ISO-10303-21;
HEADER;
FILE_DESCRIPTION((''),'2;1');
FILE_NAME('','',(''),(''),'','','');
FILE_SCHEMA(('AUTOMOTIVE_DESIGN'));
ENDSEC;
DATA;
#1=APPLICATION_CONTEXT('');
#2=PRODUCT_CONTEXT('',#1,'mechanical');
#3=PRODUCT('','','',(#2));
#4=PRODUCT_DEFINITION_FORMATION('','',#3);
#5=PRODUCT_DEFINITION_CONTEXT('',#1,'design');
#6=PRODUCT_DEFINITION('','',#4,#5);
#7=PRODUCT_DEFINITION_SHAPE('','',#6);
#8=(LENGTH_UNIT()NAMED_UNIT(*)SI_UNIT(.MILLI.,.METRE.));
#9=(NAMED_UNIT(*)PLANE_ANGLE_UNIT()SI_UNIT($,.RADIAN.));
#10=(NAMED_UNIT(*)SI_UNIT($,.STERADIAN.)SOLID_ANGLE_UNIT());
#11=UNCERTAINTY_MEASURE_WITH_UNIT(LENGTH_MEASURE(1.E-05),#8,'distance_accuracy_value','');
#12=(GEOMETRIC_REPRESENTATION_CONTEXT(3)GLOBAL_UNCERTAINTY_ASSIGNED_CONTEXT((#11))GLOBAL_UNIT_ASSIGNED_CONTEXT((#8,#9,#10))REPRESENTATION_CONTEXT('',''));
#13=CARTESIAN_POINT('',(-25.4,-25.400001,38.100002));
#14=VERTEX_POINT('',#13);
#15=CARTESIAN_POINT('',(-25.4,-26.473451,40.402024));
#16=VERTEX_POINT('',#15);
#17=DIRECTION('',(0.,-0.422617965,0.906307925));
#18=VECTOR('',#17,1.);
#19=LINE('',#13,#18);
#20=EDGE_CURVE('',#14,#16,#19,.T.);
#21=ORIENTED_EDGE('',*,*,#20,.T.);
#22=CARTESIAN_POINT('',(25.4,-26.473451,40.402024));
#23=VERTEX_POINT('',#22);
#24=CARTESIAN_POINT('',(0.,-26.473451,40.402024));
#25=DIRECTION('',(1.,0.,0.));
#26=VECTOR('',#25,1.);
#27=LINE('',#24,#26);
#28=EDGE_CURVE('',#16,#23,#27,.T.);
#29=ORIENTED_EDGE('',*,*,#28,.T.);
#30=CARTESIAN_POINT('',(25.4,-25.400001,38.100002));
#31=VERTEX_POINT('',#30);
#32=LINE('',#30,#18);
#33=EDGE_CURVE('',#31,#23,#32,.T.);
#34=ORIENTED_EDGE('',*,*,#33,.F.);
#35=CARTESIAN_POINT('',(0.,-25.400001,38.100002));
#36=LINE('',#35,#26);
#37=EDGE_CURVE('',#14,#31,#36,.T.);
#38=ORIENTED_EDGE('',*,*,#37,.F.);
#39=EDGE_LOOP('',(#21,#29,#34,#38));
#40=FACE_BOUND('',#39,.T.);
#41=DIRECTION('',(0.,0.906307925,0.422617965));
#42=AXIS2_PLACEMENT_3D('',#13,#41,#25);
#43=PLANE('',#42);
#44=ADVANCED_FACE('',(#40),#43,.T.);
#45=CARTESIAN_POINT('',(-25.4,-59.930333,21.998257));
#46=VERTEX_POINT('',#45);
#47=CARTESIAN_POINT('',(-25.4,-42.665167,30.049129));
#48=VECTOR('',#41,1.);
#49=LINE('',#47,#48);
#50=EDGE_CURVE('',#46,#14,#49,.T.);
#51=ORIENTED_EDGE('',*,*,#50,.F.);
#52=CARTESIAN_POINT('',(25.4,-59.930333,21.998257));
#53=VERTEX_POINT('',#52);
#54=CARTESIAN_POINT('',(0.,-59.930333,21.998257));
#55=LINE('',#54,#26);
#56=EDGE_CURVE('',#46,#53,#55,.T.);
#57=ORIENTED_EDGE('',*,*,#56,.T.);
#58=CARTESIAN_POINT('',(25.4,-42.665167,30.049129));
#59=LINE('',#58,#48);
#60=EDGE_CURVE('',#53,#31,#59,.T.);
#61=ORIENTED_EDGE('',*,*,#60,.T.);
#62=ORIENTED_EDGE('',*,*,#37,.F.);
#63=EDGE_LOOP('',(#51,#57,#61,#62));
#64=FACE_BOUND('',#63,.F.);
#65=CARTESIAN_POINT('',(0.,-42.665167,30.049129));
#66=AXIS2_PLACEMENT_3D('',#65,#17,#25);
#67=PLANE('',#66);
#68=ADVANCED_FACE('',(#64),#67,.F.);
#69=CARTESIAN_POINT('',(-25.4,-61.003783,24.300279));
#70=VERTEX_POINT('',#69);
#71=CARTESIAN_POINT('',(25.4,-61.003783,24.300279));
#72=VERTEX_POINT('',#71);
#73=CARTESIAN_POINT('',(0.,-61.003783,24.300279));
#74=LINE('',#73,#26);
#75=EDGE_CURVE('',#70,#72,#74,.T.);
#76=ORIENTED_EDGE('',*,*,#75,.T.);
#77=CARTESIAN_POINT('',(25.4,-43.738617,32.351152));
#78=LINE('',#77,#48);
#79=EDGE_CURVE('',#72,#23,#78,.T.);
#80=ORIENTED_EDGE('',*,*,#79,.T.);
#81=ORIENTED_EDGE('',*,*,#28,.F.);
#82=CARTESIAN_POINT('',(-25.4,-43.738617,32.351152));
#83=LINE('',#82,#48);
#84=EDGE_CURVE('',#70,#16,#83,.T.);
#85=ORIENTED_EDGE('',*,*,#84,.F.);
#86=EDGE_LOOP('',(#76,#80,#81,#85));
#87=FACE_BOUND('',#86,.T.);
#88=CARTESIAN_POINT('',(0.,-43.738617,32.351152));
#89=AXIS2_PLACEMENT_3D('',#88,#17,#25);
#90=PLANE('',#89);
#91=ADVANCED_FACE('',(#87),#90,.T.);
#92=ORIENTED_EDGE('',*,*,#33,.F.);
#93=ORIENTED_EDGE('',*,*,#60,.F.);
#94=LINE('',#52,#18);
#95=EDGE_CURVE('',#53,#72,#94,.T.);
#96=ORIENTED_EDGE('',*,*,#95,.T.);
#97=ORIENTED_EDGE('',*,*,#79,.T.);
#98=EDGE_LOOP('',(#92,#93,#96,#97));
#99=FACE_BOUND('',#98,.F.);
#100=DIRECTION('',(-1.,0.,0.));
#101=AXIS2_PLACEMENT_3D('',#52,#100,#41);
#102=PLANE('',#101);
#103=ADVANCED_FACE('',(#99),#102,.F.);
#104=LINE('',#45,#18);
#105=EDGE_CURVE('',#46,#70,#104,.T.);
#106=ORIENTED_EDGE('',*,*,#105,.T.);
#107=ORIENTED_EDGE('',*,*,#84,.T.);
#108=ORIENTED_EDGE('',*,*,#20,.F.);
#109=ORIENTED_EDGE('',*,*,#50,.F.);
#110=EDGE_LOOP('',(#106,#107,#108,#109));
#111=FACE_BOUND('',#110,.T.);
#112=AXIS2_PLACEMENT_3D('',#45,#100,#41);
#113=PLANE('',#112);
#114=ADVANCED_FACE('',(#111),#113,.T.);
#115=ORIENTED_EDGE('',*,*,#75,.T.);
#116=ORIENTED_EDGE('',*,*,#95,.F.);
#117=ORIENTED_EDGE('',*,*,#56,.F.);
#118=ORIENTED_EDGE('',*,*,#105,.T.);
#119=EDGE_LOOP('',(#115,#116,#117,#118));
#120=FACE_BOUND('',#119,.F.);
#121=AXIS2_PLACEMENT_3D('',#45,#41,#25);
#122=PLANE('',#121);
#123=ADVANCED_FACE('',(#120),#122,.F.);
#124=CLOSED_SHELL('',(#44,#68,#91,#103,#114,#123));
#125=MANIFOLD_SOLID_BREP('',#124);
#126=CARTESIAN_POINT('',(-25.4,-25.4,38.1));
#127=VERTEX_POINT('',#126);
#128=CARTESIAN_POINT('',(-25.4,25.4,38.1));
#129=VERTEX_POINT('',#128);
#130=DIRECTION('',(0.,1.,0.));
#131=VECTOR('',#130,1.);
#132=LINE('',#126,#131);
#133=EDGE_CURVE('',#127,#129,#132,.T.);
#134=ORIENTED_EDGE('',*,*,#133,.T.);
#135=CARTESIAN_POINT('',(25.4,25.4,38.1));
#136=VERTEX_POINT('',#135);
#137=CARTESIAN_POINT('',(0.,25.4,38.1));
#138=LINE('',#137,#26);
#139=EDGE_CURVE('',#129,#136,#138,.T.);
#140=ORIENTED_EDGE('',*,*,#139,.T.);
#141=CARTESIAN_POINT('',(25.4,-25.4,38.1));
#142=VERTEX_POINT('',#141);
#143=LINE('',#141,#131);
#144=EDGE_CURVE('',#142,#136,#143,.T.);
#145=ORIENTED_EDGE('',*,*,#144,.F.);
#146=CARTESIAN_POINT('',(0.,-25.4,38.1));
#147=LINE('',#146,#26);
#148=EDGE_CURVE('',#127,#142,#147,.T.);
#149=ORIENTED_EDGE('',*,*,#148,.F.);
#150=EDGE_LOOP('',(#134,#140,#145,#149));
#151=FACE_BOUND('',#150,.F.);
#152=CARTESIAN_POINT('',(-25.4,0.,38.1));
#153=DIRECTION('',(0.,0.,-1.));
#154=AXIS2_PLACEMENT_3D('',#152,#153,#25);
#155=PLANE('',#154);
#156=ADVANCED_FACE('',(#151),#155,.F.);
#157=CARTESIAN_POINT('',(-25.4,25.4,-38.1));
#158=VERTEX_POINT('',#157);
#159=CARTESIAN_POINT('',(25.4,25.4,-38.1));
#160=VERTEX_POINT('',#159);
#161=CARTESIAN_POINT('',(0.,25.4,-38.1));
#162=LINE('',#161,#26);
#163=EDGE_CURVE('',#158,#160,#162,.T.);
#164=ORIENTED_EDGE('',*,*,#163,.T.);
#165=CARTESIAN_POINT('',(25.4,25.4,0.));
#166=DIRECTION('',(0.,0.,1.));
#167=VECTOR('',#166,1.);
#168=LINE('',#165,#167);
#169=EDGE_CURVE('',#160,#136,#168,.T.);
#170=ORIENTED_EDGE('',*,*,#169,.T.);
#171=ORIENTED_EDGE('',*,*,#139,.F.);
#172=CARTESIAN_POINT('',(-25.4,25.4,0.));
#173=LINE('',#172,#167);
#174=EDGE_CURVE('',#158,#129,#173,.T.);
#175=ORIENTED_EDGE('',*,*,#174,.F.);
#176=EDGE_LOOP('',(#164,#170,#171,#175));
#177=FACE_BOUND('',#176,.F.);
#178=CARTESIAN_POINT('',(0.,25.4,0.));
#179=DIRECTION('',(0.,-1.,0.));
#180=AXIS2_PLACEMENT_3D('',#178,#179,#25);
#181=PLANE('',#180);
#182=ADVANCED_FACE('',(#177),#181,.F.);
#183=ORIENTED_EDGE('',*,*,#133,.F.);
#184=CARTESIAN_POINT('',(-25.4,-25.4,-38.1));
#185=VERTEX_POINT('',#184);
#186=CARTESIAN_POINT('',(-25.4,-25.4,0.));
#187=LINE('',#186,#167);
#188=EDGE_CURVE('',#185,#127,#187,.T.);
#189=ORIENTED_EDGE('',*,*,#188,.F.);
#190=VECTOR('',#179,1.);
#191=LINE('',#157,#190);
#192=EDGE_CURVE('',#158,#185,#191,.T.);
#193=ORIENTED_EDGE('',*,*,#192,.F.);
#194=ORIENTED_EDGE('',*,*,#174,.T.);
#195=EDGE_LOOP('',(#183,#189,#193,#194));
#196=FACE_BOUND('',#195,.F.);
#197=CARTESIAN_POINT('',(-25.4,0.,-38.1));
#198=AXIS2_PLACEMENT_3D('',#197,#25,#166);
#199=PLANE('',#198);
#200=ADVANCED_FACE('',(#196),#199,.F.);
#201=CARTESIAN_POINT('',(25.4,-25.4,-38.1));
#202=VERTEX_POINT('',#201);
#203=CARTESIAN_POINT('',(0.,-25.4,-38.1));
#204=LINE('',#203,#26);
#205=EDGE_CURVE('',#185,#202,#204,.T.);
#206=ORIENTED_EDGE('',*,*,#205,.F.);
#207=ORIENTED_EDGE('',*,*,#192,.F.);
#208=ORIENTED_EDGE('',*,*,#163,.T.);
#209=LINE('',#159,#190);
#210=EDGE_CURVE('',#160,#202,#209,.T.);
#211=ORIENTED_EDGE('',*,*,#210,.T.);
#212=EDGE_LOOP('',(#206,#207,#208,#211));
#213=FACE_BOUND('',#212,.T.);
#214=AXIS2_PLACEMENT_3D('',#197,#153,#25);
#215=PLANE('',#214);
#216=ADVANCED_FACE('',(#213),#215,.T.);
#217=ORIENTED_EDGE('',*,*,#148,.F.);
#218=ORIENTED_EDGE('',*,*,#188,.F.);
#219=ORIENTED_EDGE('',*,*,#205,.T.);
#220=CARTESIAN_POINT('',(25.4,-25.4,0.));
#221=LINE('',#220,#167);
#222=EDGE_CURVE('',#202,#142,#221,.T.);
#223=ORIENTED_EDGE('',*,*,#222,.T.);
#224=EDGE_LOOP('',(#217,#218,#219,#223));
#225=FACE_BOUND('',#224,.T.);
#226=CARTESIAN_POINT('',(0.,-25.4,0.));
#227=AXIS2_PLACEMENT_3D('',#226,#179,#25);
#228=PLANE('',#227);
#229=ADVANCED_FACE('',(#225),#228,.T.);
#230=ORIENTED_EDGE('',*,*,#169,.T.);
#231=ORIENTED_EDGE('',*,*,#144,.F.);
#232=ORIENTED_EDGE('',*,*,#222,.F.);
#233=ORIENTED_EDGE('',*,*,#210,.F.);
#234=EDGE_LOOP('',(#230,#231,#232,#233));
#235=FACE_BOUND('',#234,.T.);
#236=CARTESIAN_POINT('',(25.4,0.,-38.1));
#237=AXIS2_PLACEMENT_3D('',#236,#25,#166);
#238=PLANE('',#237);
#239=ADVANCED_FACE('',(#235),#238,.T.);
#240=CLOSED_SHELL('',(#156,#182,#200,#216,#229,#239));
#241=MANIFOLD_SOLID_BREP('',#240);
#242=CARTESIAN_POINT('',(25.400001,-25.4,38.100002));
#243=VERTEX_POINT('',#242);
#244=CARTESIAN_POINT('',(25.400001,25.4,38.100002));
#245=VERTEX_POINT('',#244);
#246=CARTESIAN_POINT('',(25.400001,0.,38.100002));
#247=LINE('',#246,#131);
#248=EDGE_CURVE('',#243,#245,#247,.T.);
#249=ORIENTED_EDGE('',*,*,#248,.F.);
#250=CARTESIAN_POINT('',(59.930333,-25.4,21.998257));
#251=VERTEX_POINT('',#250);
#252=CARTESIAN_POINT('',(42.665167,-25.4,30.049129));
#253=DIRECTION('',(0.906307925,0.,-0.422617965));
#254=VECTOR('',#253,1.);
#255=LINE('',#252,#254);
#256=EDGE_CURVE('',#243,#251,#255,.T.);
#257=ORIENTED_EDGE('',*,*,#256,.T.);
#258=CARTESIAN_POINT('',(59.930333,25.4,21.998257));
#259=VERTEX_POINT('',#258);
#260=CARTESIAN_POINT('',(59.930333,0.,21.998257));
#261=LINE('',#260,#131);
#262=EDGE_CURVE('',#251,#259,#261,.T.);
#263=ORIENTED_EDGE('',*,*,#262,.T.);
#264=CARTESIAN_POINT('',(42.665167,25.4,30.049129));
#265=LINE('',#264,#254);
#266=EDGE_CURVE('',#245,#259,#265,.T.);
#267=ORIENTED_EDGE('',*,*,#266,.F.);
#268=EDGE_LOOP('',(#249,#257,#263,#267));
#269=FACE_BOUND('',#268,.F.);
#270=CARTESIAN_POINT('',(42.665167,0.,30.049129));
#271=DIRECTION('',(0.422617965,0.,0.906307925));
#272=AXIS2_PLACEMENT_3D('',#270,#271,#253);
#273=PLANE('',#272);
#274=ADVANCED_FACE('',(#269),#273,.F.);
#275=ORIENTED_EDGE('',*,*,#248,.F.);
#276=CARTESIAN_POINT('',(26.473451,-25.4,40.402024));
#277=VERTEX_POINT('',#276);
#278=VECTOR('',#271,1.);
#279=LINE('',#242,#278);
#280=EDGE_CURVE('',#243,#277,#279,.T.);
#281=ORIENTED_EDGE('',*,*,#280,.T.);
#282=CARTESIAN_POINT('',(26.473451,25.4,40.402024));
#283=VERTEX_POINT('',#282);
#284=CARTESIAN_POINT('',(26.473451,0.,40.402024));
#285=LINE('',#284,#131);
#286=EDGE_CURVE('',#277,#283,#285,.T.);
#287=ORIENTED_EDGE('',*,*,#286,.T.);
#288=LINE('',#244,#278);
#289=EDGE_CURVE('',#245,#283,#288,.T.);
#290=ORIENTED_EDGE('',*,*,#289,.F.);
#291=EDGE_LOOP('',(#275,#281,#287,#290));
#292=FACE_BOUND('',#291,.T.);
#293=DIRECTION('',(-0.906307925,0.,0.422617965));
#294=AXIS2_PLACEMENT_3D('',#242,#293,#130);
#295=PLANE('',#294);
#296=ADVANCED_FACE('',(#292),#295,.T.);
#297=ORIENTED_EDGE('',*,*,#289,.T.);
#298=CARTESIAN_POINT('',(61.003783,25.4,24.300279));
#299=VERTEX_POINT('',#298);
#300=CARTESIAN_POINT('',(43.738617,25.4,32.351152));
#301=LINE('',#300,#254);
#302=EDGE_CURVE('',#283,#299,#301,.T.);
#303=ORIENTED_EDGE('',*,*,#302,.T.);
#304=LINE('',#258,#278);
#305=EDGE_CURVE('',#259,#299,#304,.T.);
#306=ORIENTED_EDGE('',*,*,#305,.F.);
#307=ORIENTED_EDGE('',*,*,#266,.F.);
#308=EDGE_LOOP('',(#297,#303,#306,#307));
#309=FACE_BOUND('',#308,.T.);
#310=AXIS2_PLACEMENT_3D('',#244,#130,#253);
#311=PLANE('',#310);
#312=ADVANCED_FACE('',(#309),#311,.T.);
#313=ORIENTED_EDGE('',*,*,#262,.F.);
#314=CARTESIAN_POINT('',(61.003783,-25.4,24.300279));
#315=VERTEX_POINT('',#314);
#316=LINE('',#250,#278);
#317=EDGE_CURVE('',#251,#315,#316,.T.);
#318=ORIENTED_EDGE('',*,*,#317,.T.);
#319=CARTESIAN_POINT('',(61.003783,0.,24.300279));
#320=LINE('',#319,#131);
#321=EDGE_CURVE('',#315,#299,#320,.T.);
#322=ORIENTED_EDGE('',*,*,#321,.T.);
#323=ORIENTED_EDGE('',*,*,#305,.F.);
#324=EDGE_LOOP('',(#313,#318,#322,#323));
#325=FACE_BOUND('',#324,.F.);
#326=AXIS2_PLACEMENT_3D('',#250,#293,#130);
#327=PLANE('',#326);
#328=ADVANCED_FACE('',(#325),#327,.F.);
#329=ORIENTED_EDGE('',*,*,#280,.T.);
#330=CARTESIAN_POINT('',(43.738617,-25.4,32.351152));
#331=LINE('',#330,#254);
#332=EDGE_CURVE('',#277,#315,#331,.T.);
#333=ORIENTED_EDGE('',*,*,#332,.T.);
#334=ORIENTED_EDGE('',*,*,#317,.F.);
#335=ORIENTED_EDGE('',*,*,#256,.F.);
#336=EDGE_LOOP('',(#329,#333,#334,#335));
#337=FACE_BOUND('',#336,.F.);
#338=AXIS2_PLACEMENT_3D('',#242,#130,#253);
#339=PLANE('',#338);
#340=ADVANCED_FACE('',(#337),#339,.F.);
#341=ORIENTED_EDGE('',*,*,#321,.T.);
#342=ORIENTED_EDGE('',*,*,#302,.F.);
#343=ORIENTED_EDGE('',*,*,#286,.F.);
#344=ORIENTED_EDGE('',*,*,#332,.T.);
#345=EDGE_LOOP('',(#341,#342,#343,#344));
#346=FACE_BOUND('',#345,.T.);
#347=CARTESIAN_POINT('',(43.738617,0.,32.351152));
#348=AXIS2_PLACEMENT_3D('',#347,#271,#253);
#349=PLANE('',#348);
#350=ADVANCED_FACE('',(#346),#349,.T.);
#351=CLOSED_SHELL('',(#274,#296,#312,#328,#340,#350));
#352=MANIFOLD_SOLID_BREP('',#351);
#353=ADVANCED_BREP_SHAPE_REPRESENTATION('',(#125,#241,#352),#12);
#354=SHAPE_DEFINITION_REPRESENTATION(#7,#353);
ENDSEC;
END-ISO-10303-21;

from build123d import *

# Parameters (mm, degrees)
F0_W     = 50.8
F0_H     = 76.2
F1_DEPTH = 25.4
F4_W     = 50.8
F4_H     = 38.1
F5_DEPTH = 2.54
F6_W     = 38.1
F6_H     = 50.8
F7_DEPTH = 2.54


with BuildPart() as f1:
    # F0 (on Front) → F1 (new body, symmetric)
    with BuildSketch(Plane.XZ):
        Rectangle(F0_W, F0_H)
    extrude(amount=F1_DEPTH, both=True)

    # F4 (on face) → F5 (join)
    with BuildSketch(Plane(origin=(0, -19.129744, 41.023868), x_dir=(1, 0, 0), z_dir=(0, -0.422618, 0.906308))):
        with Locations((0, -25.968462)):
            Rectangle(F4_W, F4_H)
    extrude(amount=F5_DEPTH)


with BuildPart() as f7:
    # F6 (on face) → F7 (new body)
    with BuildSketch(Plane(origin=(19.129744, 0, 41.023868), x_dir=(0.906308, 0, -0.422618), z_dir=(0.422618, 0, 0.906308))):
        with Locations((25.968462, 0)):
            Rectangle(F6_W, F6_H)
    extrude(amount=F7_DEPTH)


solid = Compound([f1.part, f7.part])
